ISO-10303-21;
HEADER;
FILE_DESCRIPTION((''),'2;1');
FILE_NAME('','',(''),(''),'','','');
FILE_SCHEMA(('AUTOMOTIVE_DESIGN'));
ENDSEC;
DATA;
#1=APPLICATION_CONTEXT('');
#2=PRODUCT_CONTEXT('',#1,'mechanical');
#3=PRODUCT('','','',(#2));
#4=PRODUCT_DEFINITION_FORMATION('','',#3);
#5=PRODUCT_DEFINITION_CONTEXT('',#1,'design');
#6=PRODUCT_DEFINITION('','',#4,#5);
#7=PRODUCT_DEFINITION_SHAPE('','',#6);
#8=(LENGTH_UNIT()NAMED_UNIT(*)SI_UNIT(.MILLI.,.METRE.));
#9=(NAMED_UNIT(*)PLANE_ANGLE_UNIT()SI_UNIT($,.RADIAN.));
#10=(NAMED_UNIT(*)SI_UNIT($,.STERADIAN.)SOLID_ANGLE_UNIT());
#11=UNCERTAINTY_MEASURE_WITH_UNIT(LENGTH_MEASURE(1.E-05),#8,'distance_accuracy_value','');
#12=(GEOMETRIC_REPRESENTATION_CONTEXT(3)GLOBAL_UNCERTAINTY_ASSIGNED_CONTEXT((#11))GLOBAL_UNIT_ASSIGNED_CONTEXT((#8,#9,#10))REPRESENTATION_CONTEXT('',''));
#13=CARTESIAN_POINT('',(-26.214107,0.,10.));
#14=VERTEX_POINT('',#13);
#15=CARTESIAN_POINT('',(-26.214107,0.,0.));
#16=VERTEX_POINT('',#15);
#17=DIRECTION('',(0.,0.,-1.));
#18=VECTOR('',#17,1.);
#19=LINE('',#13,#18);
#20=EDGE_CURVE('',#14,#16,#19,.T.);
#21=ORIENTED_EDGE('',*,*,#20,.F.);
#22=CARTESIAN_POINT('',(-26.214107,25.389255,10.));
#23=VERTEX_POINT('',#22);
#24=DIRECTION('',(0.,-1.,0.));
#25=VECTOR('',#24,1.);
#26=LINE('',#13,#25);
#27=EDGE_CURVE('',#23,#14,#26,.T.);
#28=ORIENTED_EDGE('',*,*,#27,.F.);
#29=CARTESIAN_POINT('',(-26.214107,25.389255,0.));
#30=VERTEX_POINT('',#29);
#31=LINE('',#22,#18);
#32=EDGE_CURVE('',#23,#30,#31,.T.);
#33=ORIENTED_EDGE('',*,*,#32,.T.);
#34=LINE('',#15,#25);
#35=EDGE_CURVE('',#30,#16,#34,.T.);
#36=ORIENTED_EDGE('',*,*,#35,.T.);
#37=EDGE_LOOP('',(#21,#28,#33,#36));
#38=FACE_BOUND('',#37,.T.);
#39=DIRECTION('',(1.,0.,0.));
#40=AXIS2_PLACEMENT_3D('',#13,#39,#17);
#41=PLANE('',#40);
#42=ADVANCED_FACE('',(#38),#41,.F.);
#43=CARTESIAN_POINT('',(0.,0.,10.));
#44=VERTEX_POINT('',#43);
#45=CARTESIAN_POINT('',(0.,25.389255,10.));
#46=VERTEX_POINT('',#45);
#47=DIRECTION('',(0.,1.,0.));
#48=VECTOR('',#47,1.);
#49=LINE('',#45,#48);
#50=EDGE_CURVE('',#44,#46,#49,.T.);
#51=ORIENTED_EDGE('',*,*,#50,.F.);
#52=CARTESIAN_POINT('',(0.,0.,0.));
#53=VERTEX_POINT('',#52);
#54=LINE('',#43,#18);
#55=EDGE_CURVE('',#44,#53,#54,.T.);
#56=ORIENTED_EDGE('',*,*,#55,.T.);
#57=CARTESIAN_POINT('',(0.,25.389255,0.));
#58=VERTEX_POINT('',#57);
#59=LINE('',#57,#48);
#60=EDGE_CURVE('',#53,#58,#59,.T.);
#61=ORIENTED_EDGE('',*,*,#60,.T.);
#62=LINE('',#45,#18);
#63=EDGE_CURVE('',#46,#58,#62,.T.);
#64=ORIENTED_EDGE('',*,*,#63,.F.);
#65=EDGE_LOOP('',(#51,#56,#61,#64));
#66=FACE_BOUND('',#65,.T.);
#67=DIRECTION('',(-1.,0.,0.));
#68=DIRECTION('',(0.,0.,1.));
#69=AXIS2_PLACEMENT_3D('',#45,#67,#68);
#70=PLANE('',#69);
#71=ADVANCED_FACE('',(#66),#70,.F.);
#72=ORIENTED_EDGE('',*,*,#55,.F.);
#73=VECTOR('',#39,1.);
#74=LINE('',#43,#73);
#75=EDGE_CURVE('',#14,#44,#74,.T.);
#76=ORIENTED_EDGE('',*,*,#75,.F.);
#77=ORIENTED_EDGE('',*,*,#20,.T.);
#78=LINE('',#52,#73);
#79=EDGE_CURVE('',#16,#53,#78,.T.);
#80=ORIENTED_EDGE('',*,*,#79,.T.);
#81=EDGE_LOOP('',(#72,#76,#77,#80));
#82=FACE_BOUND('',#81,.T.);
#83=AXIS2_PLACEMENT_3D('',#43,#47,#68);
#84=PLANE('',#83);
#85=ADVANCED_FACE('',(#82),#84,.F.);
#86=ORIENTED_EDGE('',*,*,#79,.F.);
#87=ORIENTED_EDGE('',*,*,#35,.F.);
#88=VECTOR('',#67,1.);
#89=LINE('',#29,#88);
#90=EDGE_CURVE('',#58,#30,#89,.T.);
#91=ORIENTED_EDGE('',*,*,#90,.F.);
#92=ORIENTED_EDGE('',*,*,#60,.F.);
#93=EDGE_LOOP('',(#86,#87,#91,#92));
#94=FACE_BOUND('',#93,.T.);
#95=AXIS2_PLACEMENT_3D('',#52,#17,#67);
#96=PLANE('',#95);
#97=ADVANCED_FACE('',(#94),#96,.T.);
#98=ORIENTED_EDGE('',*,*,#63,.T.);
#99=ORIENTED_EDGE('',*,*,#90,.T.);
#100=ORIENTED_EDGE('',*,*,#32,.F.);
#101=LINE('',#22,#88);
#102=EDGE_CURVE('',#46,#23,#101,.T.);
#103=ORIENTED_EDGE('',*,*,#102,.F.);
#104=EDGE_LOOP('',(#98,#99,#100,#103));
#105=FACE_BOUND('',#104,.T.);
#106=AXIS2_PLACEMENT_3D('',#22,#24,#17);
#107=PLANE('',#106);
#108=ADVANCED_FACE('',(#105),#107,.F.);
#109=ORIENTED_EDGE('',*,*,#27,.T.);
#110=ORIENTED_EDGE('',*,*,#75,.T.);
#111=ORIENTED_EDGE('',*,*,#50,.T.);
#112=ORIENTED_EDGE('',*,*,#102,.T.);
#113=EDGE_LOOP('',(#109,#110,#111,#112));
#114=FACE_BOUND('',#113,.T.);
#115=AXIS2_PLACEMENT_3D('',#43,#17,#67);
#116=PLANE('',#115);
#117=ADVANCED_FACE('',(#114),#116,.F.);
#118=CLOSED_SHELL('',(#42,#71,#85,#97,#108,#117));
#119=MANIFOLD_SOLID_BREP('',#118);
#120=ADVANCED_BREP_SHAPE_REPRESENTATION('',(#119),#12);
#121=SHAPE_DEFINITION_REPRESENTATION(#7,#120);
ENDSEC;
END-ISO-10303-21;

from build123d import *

# Parameters (mm, degrees)
ESQUISSE1_W        = 26.214106704
ESQUISSE1_H        = 25.389255499
BOSS_EXTRU_1_DEPTH = 10


with BuildPart() as part:
    # Esquisse1 → Boss.-Extru.1 (new body)
    with BuildSketch(Plane.XY):
        with Locations((-13.107053352, 12.69462775)):
            Rectangle(ESQUISSE1_W, ESQUISSE1_H)
    extrude(amount=BOSS_EXTRU_1_DEPTH)


solid = part.part
